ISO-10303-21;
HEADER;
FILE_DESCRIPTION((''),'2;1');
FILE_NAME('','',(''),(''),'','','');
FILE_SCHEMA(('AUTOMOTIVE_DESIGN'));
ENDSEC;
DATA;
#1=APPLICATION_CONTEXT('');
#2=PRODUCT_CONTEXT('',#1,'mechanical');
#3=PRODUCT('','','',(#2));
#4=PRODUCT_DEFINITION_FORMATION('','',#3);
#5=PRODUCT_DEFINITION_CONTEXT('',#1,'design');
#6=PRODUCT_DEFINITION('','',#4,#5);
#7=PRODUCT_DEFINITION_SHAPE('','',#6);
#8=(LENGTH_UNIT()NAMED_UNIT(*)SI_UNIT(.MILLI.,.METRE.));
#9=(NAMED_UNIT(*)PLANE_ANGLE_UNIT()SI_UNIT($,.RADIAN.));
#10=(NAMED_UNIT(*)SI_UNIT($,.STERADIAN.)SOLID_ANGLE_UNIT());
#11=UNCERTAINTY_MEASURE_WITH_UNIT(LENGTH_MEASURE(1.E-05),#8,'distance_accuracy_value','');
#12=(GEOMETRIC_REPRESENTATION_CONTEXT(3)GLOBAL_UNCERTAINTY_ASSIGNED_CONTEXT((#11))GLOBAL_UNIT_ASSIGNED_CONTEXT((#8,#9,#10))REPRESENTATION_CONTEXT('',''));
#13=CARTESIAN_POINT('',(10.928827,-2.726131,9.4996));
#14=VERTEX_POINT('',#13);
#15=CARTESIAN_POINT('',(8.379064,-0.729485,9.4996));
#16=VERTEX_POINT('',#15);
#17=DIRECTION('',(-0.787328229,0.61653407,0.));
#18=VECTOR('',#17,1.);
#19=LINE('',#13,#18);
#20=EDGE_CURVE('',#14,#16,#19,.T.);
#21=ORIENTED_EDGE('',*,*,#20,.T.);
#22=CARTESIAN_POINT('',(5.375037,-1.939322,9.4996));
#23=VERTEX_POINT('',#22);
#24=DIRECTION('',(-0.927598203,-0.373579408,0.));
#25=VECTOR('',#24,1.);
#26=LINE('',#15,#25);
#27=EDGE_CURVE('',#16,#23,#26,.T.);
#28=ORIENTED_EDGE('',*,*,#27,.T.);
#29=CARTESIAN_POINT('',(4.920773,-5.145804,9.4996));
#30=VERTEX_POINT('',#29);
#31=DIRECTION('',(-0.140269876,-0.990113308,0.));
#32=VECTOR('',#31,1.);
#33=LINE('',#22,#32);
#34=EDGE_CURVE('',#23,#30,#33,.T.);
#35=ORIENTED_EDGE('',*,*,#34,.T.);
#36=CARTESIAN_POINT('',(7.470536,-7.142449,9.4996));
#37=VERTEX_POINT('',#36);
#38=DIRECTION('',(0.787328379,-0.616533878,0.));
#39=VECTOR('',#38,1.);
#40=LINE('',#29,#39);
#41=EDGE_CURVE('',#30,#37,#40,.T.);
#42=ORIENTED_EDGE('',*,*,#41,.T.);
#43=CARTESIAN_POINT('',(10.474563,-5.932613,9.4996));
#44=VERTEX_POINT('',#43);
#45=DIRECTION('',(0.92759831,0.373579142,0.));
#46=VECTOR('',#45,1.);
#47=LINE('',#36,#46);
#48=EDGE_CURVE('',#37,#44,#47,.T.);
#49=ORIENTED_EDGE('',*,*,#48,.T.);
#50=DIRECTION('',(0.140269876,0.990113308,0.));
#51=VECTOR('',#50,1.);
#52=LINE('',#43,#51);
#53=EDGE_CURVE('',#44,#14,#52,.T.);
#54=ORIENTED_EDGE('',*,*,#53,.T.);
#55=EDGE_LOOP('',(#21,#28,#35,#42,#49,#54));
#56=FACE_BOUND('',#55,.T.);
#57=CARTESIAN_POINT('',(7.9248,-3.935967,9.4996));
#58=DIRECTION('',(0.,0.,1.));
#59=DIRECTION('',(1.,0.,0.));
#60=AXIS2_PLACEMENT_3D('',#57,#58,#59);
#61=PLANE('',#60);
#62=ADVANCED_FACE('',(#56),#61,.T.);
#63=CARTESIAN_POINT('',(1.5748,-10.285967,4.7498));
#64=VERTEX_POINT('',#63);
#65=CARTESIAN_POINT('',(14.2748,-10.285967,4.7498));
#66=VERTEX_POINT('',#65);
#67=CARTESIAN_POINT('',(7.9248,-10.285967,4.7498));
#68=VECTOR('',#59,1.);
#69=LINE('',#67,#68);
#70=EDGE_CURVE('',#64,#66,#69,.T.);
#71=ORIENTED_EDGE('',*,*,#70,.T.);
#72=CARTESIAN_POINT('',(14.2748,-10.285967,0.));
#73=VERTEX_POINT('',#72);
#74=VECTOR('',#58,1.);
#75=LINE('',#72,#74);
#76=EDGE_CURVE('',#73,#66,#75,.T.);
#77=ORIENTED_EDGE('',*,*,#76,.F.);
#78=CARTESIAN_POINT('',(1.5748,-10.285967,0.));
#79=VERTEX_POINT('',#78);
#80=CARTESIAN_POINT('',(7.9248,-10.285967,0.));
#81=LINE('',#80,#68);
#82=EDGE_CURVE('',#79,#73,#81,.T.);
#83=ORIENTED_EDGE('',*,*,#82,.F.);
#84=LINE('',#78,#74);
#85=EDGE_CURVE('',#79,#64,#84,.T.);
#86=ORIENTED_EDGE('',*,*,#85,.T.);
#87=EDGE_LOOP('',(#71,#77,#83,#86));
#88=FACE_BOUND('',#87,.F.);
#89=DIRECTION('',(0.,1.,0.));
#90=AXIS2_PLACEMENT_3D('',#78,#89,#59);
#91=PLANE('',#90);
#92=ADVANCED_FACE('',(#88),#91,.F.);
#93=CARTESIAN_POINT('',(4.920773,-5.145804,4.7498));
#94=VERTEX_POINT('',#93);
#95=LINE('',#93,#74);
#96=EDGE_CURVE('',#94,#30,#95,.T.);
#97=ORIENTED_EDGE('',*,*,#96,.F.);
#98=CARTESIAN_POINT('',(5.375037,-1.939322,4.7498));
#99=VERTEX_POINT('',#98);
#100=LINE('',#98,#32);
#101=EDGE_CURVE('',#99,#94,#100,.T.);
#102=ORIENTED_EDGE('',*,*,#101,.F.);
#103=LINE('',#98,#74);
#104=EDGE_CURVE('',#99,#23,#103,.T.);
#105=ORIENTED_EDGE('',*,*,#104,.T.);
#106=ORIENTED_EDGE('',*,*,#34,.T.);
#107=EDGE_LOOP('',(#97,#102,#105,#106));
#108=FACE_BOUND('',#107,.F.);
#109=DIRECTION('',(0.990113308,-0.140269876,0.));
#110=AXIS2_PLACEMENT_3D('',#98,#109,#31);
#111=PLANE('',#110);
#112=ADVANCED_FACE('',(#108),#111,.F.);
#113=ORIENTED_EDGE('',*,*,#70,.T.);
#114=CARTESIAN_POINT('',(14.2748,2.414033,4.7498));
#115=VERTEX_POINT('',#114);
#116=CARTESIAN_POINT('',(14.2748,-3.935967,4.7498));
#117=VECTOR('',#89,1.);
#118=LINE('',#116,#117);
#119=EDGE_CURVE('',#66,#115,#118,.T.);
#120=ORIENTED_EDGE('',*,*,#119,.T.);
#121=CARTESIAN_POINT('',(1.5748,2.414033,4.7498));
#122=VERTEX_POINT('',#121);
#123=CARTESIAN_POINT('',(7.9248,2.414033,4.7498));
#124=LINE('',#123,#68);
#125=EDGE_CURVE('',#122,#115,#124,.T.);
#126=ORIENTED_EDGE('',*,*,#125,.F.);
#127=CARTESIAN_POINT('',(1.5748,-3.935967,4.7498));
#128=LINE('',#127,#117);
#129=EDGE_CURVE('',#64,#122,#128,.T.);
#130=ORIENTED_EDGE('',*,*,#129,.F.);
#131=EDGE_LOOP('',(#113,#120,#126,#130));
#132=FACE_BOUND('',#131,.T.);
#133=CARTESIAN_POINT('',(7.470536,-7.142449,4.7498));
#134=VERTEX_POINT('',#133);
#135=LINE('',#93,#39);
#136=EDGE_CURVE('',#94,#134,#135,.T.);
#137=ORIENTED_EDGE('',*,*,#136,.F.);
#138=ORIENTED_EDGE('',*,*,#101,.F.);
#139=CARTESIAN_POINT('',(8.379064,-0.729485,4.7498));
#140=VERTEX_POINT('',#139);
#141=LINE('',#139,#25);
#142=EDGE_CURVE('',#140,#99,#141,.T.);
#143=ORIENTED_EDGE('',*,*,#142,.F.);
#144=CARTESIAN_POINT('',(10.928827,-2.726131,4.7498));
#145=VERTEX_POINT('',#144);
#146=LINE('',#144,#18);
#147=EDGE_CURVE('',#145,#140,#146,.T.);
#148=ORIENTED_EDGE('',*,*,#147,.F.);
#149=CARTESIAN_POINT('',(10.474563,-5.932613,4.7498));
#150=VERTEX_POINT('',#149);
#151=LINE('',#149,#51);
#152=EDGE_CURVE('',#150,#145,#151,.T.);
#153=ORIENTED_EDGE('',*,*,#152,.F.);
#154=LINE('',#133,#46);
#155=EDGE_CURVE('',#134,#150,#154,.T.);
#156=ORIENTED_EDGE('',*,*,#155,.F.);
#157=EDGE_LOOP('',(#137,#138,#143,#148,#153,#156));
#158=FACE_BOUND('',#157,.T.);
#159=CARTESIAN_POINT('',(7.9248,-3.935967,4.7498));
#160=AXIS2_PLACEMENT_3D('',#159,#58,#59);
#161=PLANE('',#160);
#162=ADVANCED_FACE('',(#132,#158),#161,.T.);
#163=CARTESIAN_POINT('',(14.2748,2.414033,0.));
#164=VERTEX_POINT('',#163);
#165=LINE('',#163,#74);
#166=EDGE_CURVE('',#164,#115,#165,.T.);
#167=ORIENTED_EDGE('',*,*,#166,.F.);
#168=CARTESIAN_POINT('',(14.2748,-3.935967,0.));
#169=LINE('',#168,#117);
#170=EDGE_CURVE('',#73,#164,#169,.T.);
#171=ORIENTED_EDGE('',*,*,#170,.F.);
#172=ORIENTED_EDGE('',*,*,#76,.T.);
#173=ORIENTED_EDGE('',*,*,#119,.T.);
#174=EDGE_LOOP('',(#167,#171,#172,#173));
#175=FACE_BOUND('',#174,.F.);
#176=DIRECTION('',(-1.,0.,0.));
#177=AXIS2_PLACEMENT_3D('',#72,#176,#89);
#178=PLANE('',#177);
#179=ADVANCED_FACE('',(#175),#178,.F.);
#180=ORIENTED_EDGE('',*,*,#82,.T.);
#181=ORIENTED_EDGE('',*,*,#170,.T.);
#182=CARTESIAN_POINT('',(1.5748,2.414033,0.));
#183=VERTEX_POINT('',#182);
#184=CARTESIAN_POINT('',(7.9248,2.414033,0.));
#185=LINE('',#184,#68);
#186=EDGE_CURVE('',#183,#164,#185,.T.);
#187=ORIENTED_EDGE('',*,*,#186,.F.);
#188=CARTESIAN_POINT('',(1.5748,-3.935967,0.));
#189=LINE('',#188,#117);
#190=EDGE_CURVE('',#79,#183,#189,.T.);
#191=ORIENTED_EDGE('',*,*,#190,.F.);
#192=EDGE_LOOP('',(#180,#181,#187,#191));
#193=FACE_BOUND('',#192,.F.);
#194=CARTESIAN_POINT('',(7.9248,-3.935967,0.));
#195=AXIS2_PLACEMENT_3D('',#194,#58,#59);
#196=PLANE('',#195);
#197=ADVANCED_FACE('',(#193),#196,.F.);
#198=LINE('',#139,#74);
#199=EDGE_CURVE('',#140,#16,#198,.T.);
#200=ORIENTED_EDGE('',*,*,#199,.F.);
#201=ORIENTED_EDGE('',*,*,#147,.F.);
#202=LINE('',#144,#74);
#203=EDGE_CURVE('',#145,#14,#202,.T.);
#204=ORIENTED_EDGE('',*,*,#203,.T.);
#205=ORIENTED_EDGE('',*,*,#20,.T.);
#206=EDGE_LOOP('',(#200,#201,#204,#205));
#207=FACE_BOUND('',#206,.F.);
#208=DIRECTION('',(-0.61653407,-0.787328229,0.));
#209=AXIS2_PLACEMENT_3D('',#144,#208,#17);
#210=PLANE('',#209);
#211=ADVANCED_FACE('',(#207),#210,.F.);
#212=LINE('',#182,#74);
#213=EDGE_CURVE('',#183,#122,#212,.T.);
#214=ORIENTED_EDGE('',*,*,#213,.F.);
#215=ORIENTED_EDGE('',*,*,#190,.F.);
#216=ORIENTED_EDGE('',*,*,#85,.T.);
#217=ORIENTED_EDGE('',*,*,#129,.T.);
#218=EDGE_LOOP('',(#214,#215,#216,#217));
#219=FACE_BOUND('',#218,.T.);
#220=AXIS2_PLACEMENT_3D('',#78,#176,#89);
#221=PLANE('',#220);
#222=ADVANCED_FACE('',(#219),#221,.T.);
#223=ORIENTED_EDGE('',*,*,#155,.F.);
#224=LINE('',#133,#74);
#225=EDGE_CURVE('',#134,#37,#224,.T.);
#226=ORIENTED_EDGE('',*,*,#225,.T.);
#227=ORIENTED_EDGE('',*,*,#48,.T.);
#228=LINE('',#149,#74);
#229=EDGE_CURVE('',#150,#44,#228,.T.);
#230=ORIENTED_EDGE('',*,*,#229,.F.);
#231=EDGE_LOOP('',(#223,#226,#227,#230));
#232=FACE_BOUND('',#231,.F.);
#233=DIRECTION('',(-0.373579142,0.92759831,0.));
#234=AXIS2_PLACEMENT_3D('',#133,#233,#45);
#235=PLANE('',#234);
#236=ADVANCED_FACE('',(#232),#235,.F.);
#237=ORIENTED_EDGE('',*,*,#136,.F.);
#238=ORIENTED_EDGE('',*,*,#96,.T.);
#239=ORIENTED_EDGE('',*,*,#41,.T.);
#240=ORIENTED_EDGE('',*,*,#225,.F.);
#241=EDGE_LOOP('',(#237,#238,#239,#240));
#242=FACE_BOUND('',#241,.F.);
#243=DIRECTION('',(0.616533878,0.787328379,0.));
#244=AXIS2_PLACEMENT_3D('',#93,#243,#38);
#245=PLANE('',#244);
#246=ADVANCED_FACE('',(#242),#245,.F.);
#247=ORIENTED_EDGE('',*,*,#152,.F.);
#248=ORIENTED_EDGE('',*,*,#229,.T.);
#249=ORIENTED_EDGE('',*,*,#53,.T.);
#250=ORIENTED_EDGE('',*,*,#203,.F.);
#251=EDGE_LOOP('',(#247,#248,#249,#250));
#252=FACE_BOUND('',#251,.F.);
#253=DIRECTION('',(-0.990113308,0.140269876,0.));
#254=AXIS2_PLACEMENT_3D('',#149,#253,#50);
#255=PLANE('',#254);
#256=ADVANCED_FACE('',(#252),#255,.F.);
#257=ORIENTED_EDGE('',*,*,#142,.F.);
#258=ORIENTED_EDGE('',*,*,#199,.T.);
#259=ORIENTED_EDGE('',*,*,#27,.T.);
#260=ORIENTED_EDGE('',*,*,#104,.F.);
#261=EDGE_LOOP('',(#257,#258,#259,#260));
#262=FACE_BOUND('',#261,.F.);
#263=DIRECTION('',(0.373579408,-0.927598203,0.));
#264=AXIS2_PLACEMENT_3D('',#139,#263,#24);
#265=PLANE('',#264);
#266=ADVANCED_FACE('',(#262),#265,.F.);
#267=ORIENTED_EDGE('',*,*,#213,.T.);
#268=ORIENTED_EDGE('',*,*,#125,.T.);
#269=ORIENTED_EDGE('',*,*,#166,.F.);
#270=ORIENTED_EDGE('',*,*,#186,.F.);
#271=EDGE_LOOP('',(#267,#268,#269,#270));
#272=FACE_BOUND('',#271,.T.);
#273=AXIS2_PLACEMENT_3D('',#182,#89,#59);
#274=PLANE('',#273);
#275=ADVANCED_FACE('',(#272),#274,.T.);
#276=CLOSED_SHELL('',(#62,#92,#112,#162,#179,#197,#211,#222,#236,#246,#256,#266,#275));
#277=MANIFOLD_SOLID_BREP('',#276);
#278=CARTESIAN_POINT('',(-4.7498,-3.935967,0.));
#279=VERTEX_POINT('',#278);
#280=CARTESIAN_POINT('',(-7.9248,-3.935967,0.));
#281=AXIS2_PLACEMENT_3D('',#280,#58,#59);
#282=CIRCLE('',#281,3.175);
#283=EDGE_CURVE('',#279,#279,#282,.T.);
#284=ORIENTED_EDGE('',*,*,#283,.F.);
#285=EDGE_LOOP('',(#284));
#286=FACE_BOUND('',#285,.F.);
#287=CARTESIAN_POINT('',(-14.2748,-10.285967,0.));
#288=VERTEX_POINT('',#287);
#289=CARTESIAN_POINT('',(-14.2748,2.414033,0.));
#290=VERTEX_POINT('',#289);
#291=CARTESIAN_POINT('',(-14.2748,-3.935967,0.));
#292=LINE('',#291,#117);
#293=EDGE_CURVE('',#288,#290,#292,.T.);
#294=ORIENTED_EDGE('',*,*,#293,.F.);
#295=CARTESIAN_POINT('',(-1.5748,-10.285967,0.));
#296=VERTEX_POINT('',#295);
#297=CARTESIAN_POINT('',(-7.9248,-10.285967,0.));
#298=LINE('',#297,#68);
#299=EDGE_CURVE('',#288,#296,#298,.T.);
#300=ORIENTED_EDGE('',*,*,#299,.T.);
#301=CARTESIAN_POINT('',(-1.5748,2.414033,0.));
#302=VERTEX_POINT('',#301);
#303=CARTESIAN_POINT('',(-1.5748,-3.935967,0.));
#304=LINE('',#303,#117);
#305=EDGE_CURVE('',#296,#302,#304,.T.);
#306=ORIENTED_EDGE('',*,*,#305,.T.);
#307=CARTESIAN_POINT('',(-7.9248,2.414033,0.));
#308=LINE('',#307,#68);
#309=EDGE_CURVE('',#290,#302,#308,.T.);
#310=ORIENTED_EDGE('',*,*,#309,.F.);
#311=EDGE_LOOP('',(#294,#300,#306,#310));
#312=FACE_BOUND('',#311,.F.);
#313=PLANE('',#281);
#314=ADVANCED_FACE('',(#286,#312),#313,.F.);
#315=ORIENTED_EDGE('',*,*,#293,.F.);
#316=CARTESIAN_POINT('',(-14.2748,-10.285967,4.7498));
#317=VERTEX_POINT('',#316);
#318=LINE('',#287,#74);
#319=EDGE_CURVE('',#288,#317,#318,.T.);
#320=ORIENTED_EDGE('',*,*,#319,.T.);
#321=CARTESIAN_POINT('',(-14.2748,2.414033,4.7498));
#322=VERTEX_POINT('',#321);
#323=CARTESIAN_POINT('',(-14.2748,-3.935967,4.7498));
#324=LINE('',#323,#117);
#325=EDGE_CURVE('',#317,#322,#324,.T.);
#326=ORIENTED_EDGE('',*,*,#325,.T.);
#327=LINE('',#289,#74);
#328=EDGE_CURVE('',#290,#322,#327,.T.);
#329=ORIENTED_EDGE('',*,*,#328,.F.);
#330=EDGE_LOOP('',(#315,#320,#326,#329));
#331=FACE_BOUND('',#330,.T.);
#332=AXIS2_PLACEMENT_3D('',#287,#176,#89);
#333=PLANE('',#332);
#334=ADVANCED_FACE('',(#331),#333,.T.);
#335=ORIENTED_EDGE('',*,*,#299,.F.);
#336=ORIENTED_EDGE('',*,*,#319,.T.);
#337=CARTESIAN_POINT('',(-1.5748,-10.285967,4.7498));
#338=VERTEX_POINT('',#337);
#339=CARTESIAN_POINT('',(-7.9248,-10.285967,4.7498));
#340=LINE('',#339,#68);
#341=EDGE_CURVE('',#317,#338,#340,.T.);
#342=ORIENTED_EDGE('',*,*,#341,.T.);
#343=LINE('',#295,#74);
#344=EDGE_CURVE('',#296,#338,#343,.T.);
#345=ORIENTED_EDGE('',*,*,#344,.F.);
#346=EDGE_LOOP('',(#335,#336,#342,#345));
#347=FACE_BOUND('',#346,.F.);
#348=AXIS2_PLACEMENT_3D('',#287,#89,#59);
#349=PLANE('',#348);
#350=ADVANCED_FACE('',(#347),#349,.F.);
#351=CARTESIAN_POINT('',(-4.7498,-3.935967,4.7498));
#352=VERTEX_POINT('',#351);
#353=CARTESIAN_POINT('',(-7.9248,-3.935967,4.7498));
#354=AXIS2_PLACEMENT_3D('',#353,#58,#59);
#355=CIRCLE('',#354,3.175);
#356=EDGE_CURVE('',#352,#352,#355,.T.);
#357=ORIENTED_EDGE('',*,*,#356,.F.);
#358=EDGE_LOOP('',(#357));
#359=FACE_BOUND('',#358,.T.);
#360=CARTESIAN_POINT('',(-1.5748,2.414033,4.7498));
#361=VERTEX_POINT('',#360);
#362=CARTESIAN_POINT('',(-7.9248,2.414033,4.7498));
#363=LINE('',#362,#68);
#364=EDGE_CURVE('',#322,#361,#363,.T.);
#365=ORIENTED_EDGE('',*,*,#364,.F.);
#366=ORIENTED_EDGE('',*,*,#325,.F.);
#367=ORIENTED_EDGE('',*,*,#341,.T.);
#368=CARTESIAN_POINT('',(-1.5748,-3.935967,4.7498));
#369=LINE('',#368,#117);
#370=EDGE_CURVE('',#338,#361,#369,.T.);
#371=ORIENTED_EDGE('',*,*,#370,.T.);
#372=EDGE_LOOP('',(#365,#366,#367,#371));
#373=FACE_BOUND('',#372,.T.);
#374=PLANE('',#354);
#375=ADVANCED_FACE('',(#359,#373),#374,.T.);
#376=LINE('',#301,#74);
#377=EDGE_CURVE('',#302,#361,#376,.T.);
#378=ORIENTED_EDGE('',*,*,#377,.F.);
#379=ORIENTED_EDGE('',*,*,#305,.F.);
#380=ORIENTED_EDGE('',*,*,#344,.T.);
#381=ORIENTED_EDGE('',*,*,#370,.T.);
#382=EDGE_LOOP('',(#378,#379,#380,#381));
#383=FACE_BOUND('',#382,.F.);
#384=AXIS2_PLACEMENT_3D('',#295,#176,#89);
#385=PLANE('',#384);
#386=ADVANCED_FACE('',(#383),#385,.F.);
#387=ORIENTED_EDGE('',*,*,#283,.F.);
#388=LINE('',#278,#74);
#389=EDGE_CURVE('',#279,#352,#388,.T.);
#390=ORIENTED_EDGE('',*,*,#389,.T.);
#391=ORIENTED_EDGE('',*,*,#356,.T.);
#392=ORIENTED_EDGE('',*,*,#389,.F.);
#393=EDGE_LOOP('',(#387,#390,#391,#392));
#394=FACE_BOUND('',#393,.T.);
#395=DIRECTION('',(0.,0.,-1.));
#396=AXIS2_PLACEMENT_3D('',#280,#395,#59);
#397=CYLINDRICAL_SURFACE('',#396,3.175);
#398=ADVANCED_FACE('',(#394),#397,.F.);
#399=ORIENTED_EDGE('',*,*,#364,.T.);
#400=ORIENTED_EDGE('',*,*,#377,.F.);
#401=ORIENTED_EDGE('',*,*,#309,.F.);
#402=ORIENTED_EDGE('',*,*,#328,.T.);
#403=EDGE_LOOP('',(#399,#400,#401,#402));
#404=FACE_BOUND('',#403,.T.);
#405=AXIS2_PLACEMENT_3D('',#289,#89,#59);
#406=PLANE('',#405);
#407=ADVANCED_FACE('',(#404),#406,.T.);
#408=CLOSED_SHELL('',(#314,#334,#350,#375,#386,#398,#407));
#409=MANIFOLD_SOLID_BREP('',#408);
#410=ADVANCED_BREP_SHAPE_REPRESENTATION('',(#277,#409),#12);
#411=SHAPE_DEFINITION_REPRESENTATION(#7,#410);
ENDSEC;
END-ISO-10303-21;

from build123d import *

# Parameters (mm, degrees)
F0_W     = 12.7
F0_H     = 12.7
F0_R     = 3.175
F1_DEPTH = 4.7498
F3_DEPTH = 4.7498


with BuildPart() as f1:
    # F0 (on Top) → F1 (new body)
    with BuildSketch(Plane.XY):
        with Locations((-7.9248, -3.935967)):
            Rectangle(F0_W, F0_H)
        with Locations((-7.9248, -3.935967)):
            Circle(F0_R, mode=Mode.SUBTRACT)
        with Locations((7.9248, -3.935967)):
            Rectangle(F0_W, F0_H)
    extrude(amount=F1_DEPTH)

    # F2 (on face) → F3 (join)
    with BuildSketch(Plane.XY.offset(4.7498)):
        Polygon((10.474563, -5.932613), (10.928827, -2.726131), (8.379064, -0.729485), (5.375037, -1.939322), (4.920773, -5.145804), (7.470536, -7.142449), align=None)
    extrude(amount=F3_DEPTH)


solid = f1.part
